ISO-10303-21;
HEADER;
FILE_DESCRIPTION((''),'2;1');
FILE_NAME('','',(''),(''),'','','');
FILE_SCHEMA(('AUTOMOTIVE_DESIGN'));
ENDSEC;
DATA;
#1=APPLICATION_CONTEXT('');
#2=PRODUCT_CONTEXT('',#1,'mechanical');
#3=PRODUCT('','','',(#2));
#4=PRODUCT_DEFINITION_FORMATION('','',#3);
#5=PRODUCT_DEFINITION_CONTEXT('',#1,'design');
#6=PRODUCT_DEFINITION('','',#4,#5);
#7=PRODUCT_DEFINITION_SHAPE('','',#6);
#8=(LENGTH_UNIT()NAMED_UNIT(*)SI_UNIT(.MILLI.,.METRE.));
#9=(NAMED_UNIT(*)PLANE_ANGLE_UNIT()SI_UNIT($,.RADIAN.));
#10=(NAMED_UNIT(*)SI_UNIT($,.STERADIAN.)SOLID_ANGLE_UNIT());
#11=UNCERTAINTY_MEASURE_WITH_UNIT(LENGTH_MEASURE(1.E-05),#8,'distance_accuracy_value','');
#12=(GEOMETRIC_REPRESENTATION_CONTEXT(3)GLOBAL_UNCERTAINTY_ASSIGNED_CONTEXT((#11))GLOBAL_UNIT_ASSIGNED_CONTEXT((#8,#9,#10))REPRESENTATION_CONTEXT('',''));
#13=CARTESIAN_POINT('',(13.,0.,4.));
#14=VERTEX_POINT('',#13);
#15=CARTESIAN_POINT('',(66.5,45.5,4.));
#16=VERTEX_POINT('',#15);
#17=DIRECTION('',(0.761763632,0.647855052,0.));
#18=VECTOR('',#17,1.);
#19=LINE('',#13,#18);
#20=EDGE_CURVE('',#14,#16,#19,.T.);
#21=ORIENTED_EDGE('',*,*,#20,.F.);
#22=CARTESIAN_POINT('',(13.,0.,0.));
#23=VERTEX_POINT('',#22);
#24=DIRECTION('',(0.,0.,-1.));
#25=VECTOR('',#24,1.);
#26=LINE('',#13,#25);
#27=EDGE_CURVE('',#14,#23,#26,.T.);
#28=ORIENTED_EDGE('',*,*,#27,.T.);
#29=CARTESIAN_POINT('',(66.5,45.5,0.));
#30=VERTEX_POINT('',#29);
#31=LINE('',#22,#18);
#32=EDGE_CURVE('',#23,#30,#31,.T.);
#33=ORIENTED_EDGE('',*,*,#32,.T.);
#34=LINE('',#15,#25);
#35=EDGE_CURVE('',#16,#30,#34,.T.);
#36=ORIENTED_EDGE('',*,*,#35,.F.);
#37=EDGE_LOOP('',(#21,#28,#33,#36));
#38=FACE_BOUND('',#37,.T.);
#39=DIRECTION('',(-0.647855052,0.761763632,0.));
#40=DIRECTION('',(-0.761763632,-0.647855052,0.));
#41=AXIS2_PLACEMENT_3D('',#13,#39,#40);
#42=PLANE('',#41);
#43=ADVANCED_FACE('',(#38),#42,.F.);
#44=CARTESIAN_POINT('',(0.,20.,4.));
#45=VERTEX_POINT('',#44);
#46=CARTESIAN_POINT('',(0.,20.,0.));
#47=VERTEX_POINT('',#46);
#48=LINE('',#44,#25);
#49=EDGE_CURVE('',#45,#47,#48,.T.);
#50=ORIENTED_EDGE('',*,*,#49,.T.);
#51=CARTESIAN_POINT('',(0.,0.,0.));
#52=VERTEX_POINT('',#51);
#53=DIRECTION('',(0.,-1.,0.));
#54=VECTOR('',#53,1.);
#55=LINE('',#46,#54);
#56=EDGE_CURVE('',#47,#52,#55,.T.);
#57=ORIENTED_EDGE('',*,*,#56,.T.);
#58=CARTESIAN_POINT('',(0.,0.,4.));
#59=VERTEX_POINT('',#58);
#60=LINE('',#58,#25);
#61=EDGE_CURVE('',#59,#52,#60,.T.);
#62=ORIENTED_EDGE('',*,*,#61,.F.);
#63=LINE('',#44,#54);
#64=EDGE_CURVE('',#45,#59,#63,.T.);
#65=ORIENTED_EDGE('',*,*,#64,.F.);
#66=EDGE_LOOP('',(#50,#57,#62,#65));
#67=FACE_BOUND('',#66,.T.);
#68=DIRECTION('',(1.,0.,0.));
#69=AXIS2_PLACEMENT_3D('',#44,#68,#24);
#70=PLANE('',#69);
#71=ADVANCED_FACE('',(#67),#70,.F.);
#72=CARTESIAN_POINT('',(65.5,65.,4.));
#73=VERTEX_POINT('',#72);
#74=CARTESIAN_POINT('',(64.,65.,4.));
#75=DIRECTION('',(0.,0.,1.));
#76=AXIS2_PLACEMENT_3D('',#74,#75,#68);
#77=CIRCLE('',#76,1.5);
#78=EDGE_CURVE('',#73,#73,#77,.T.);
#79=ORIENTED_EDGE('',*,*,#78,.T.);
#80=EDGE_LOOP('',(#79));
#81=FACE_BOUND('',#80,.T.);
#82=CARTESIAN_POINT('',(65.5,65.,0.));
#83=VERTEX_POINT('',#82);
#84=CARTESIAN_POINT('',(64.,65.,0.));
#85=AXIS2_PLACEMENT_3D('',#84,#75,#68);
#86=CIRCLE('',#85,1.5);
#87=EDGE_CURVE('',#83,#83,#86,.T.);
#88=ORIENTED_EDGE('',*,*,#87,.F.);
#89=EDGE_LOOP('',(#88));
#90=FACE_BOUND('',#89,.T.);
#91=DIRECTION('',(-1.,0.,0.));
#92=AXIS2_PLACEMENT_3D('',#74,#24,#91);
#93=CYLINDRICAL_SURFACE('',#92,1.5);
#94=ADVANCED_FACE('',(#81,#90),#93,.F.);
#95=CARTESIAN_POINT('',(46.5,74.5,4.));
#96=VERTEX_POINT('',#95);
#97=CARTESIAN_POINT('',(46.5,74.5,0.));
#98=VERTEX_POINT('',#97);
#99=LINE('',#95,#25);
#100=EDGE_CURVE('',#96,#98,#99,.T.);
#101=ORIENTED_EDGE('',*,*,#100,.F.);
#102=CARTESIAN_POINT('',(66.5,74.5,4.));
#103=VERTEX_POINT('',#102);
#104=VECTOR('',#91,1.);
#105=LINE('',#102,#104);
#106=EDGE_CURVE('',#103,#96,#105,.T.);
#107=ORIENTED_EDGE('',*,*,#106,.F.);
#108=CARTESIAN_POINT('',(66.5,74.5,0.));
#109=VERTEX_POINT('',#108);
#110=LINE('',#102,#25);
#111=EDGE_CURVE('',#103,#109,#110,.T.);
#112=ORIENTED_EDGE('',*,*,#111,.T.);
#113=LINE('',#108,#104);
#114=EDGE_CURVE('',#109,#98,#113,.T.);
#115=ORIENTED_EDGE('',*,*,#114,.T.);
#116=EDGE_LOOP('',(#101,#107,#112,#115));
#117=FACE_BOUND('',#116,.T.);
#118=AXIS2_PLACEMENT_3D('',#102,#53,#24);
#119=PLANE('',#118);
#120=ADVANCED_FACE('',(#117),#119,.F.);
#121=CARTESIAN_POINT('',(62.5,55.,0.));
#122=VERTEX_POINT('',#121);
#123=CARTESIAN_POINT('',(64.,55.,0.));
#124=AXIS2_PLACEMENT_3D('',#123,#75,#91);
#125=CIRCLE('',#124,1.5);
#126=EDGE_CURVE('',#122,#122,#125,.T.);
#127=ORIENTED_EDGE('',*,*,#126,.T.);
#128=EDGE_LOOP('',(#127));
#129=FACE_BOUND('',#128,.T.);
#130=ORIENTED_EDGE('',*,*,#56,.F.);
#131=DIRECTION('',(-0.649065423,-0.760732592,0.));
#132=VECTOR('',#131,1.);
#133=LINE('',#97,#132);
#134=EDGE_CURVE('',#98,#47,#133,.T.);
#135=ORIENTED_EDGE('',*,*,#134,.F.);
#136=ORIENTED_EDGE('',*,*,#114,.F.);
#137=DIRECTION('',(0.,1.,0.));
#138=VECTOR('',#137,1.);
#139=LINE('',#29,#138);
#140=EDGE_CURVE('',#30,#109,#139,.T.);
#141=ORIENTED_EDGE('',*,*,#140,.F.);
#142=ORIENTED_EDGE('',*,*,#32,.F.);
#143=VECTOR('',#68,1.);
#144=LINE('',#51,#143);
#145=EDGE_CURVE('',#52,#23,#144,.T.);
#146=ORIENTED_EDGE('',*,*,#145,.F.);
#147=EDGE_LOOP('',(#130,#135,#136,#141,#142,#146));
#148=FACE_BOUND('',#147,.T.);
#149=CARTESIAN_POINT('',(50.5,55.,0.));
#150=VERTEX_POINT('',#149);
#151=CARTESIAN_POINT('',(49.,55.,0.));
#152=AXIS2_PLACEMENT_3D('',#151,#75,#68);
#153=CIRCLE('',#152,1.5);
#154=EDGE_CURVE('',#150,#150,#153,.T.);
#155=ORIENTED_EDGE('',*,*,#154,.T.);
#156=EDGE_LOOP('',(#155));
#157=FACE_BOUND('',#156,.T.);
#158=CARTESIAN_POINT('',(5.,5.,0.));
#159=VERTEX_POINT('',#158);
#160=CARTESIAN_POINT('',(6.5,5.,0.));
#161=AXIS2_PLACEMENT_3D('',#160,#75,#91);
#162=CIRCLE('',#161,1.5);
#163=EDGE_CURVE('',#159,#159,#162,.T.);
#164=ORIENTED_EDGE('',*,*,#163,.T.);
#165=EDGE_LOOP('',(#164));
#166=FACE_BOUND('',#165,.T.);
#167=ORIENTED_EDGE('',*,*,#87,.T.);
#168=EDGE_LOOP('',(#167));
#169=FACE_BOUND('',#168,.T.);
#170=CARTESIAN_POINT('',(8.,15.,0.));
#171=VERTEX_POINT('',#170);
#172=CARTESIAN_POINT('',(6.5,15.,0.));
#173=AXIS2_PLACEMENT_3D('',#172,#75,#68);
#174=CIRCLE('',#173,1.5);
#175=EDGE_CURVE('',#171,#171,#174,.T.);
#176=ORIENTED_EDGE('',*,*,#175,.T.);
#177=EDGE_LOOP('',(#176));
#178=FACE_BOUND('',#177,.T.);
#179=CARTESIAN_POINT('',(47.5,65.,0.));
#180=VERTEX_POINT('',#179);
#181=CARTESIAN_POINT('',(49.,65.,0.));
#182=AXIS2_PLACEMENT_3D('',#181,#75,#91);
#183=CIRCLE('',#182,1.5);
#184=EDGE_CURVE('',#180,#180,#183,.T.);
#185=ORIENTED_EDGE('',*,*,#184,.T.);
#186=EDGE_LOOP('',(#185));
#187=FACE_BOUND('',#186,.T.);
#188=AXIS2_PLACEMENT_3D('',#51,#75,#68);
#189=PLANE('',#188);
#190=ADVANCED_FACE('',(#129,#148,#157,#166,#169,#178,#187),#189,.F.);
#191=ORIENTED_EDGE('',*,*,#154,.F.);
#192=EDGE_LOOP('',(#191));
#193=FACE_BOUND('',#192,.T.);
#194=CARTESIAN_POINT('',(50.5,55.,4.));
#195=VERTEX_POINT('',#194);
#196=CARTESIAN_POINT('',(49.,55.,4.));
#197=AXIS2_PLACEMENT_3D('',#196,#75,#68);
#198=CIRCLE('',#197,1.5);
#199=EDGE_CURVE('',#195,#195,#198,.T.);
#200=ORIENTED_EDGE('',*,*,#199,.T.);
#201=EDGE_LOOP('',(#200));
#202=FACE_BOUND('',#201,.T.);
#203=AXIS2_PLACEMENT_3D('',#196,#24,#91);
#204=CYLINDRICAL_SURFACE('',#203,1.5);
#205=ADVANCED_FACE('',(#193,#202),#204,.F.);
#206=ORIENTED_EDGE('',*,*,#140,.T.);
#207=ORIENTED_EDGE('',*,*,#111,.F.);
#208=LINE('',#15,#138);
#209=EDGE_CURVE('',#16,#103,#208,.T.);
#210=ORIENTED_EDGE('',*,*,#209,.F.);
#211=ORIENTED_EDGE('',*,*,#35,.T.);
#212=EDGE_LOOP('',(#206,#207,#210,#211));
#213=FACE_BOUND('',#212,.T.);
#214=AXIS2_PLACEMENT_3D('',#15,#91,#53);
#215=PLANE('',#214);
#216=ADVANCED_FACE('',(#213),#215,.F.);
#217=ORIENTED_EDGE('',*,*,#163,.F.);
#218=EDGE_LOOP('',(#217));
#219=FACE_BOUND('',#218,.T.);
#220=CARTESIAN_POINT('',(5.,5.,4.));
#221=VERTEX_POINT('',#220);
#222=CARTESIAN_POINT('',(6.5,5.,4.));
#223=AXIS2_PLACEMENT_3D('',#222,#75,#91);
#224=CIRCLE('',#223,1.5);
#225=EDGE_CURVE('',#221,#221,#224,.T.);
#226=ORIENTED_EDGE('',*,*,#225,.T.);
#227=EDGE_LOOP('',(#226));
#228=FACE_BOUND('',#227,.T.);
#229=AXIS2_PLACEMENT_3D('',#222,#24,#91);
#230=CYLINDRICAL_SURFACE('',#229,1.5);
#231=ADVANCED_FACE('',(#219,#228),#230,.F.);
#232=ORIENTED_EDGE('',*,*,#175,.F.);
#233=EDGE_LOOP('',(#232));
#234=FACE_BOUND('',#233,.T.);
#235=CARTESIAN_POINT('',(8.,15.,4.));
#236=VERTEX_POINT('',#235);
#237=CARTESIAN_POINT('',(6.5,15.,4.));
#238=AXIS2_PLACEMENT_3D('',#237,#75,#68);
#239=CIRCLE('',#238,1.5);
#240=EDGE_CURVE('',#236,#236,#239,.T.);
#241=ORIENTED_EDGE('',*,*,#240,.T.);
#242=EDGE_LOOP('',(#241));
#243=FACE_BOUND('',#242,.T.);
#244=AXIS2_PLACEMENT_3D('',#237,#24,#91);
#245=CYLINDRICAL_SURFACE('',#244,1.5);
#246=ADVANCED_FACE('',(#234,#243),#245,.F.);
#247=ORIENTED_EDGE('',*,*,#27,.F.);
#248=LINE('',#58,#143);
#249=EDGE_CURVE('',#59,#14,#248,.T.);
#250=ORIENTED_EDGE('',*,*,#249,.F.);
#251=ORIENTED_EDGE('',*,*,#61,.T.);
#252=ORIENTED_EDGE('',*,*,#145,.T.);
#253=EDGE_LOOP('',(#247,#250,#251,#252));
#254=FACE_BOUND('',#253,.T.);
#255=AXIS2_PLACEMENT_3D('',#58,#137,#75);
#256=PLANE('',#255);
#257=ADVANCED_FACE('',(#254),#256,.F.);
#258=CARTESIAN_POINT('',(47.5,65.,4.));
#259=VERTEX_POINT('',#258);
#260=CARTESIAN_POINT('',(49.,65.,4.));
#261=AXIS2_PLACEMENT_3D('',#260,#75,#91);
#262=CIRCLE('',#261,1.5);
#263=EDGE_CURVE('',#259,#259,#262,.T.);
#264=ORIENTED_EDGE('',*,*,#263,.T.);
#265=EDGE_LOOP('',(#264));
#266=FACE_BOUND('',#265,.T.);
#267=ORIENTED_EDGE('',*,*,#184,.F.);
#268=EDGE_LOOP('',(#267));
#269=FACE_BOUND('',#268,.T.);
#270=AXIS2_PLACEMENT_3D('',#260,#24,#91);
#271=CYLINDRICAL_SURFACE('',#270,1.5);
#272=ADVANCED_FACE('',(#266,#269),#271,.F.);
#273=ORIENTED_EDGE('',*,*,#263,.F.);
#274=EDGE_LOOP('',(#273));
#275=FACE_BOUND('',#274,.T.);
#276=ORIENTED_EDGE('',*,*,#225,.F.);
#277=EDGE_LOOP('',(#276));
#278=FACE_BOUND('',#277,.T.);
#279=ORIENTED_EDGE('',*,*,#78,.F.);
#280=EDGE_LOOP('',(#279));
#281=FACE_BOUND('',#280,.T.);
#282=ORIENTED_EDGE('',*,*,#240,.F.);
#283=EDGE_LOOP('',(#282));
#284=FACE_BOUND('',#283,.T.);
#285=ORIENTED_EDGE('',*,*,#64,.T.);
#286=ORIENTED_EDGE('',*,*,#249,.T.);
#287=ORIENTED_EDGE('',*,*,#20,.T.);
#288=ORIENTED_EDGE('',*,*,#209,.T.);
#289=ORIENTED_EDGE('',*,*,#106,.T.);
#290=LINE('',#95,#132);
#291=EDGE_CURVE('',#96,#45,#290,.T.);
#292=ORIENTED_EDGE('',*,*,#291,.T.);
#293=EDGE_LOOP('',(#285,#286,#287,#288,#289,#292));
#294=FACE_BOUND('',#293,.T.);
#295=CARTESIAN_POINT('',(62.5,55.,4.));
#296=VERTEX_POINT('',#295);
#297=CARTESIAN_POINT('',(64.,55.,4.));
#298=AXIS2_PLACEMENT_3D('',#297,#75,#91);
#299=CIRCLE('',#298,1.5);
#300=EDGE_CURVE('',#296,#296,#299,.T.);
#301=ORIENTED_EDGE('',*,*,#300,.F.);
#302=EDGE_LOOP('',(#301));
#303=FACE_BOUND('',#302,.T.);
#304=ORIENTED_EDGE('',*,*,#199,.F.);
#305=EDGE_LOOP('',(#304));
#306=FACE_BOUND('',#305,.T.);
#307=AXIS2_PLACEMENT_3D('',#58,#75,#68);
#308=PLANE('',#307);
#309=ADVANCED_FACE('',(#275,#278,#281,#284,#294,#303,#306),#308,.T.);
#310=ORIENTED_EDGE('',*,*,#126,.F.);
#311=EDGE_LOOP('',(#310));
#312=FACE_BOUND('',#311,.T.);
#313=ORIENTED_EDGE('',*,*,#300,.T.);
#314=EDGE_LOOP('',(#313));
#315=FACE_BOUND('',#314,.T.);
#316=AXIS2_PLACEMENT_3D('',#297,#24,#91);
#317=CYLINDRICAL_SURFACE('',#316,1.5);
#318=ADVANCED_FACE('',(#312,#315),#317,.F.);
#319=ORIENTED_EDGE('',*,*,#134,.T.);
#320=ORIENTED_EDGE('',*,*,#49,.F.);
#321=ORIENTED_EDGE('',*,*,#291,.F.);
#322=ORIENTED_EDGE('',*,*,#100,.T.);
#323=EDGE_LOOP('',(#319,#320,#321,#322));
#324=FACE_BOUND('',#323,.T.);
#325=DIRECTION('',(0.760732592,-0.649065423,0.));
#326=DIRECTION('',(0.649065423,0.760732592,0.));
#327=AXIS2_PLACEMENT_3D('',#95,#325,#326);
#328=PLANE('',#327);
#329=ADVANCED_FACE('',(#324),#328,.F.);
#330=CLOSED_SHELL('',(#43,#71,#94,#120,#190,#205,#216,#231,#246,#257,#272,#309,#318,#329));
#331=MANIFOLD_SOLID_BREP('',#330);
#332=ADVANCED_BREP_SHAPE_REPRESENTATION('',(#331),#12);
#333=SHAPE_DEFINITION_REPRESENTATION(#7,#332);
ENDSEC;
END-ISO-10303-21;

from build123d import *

# Parameters (mm, degrees)
SKETCH_1_R      = 1.5
EXTRUDE_1_DEPTH = 4


with BuildPart() as part:
    # 草图1 → 凸台-拉伸1 (new body)
    with BuildSketch(Plane.XY):
        Polygon((0, 0), (13, 0), (66.5, 45.5), (66.5, 74.5), (46.5, 74.5), (0, 20), align=None)
        with Locations((6.5, 15)):
            Circle(SKETCH_1_R, mode=Mode.SUBTRACT)
        with Locations(Location((6.5, 5, 0), (0, 0, 180))):
            Circle(SKETCH_1_R, mode=Mode.SUBTRACT)
        with Locations((49, 55)):
            Circle(SKETCH_1_R, mode=Mode.SUBTRACT)
        with Locations(Location((64, 55, 0), (0, 0, 180))):
            Circle(SKETCH_1_R, mode=Mode.SUBTRACT)
        with Locations(Location((49, 65, 0), (0, 0, 180))):
            Circle(SKETCH_1_R, mode=Mode.SUBTRACT)
        with Locations((64, 65)):
            Circle(SKETCH_1_R, mode=Mode.SUBTRACT)
    extrude(amount=EXTRUDE_1_DEPTH)


solid = part.part
